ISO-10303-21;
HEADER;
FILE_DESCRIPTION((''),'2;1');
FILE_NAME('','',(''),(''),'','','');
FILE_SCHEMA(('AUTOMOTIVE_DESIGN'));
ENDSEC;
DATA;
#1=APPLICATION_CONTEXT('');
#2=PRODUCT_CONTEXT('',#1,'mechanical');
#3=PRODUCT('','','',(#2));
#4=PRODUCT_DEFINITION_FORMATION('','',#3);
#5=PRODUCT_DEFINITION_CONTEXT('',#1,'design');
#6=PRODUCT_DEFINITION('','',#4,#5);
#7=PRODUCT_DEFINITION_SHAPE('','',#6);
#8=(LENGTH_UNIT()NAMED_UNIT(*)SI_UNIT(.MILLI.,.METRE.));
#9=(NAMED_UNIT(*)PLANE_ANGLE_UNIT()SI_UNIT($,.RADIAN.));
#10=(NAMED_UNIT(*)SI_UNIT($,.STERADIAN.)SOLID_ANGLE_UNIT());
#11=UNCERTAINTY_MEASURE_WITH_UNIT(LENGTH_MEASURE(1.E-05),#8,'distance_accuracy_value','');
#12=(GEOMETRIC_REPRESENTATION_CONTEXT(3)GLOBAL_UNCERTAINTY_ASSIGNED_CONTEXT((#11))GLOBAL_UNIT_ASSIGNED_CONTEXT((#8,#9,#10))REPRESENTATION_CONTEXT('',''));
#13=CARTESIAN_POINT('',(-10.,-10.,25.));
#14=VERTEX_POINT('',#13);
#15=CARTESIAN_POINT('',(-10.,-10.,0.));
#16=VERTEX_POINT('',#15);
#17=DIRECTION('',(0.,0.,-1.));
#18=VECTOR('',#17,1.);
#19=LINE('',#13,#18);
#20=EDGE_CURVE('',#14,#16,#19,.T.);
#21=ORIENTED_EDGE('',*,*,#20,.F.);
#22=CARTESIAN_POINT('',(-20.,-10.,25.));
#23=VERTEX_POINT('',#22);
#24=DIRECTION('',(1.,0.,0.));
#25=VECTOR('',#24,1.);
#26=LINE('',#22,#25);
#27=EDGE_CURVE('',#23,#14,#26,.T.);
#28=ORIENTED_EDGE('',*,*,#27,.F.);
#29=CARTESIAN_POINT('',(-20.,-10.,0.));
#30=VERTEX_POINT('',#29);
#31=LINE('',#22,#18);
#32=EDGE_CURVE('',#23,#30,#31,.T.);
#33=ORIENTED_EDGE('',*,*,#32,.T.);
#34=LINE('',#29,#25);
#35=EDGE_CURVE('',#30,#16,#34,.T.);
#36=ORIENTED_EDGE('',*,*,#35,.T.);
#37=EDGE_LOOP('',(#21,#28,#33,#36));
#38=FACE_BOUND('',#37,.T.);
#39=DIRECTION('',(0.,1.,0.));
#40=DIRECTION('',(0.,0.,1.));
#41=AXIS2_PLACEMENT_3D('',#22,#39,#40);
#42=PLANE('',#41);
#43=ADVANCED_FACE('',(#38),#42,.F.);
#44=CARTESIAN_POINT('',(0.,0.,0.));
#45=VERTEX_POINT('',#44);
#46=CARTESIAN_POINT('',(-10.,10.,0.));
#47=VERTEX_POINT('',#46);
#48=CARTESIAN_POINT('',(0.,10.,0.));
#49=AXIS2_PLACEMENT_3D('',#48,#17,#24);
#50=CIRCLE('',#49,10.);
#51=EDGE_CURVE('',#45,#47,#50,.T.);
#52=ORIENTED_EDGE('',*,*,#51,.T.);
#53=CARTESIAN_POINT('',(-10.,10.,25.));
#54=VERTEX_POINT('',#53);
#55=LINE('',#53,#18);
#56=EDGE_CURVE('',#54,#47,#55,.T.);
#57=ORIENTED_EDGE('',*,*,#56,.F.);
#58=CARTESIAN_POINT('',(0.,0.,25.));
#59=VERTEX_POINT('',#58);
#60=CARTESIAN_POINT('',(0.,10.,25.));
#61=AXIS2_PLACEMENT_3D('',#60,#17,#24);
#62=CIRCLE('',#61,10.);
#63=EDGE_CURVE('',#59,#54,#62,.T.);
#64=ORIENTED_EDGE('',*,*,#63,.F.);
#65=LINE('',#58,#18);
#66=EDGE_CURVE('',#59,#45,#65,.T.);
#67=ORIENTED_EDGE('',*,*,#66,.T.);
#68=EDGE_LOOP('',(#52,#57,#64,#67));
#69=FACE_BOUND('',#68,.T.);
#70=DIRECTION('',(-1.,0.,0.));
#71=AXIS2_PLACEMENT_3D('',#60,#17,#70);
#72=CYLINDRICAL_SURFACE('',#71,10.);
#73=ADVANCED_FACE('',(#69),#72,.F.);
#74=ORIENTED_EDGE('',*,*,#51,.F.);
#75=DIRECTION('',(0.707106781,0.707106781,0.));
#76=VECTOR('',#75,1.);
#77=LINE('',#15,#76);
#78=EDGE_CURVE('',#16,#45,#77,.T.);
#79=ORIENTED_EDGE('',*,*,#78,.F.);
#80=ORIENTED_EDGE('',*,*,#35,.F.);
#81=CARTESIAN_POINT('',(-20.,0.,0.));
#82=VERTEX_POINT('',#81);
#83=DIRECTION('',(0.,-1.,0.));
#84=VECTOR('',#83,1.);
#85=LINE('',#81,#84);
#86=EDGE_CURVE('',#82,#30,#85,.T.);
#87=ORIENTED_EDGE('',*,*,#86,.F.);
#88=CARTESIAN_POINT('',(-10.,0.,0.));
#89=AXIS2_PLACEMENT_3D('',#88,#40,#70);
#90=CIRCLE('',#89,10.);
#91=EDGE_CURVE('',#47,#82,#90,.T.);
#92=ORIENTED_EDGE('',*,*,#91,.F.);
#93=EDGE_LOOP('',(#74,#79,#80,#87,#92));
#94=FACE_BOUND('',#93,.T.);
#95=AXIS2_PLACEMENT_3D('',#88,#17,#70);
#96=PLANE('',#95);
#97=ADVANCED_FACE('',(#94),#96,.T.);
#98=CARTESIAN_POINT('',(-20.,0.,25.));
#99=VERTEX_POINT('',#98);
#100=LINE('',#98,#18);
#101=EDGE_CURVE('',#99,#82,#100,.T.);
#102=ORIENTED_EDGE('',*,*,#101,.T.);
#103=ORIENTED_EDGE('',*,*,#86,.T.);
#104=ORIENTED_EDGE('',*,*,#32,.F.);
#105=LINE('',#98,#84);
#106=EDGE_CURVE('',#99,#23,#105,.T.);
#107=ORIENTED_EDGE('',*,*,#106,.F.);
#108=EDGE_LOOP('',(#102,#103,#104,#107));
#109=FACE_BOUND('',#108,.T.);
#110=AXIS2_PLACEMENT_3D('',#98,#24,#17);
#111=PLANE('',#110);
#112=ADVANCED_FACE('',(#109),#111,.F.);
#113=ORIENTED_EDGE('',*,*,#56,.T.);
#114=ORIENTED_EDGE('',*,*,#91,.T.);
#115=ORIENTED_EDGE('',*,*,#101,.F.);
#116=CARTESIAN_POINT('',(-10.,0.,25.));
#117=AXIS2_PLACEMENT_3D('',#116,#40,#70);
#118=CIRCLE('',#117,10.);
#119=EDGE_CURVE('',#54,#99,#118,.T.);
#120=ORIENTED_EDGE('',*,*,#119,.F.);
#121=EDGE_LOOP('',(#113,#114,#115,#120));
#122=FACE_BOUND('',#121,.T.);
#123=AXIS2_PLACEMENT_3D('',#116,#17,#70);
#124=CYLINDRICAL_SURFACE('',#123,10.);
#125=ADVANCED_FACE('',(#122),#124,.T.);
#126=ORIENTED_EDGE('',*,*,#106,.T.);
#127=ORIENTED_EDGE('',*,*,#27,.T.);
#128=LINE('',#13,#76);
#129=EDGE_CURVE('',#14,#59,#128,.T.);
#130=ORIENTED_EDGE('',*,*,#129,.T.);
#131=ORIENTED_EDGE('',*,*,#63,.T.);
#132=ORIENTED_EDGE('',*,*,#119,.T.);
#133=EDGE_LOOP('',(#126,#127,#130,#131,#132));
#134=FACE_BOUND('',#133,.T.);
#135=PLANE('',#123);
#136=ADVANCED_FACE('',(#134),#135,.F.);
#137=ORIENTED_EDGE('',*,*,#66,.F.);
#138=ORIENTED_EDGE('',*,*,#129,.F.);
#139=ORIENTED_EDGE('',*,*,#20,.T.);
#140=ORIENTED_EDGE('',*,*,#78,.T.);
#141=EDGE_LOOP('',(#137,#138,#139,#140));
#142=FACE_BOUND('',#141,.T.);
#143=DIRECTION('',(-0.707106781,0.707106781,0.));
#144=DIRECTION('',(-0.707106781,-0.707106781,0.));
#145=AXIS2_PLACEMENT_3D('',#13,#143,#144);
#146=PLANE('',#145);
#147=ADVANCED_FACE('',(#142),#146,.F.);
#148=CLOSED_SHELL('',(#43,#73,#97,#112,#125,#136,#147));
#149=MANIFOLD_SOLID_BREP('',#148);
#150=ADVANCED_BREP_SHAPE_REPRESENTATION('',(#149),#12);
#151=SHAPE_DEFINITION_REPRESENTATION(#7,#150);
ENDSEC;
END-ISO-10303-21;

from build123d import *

# Parameters (mm, degrees)
BOSS_EXTRUDE1_DEPTH = 25


with BuildPart() as part:
    # Sketch1 → Boss-Extrude1 (new body)
    with BuildSketch(Plane.XY):
        with BuildLine():
            Line((-20, 0), (-20, -10))
            Line((-20, -10), (-10, -10))
            Line((-10, -10), (0, 0))
            ThreePointArc((0, 0), (-7.071067812, 2.928932188), (-10, 10))
            ThreePointArc((-10, 10), (-17.071067812, 7.071067812), (-20, 0))
        make_face()
    extrude(amount=BOSS_EXTRUDE1_DEPTH)


solid = part.part
